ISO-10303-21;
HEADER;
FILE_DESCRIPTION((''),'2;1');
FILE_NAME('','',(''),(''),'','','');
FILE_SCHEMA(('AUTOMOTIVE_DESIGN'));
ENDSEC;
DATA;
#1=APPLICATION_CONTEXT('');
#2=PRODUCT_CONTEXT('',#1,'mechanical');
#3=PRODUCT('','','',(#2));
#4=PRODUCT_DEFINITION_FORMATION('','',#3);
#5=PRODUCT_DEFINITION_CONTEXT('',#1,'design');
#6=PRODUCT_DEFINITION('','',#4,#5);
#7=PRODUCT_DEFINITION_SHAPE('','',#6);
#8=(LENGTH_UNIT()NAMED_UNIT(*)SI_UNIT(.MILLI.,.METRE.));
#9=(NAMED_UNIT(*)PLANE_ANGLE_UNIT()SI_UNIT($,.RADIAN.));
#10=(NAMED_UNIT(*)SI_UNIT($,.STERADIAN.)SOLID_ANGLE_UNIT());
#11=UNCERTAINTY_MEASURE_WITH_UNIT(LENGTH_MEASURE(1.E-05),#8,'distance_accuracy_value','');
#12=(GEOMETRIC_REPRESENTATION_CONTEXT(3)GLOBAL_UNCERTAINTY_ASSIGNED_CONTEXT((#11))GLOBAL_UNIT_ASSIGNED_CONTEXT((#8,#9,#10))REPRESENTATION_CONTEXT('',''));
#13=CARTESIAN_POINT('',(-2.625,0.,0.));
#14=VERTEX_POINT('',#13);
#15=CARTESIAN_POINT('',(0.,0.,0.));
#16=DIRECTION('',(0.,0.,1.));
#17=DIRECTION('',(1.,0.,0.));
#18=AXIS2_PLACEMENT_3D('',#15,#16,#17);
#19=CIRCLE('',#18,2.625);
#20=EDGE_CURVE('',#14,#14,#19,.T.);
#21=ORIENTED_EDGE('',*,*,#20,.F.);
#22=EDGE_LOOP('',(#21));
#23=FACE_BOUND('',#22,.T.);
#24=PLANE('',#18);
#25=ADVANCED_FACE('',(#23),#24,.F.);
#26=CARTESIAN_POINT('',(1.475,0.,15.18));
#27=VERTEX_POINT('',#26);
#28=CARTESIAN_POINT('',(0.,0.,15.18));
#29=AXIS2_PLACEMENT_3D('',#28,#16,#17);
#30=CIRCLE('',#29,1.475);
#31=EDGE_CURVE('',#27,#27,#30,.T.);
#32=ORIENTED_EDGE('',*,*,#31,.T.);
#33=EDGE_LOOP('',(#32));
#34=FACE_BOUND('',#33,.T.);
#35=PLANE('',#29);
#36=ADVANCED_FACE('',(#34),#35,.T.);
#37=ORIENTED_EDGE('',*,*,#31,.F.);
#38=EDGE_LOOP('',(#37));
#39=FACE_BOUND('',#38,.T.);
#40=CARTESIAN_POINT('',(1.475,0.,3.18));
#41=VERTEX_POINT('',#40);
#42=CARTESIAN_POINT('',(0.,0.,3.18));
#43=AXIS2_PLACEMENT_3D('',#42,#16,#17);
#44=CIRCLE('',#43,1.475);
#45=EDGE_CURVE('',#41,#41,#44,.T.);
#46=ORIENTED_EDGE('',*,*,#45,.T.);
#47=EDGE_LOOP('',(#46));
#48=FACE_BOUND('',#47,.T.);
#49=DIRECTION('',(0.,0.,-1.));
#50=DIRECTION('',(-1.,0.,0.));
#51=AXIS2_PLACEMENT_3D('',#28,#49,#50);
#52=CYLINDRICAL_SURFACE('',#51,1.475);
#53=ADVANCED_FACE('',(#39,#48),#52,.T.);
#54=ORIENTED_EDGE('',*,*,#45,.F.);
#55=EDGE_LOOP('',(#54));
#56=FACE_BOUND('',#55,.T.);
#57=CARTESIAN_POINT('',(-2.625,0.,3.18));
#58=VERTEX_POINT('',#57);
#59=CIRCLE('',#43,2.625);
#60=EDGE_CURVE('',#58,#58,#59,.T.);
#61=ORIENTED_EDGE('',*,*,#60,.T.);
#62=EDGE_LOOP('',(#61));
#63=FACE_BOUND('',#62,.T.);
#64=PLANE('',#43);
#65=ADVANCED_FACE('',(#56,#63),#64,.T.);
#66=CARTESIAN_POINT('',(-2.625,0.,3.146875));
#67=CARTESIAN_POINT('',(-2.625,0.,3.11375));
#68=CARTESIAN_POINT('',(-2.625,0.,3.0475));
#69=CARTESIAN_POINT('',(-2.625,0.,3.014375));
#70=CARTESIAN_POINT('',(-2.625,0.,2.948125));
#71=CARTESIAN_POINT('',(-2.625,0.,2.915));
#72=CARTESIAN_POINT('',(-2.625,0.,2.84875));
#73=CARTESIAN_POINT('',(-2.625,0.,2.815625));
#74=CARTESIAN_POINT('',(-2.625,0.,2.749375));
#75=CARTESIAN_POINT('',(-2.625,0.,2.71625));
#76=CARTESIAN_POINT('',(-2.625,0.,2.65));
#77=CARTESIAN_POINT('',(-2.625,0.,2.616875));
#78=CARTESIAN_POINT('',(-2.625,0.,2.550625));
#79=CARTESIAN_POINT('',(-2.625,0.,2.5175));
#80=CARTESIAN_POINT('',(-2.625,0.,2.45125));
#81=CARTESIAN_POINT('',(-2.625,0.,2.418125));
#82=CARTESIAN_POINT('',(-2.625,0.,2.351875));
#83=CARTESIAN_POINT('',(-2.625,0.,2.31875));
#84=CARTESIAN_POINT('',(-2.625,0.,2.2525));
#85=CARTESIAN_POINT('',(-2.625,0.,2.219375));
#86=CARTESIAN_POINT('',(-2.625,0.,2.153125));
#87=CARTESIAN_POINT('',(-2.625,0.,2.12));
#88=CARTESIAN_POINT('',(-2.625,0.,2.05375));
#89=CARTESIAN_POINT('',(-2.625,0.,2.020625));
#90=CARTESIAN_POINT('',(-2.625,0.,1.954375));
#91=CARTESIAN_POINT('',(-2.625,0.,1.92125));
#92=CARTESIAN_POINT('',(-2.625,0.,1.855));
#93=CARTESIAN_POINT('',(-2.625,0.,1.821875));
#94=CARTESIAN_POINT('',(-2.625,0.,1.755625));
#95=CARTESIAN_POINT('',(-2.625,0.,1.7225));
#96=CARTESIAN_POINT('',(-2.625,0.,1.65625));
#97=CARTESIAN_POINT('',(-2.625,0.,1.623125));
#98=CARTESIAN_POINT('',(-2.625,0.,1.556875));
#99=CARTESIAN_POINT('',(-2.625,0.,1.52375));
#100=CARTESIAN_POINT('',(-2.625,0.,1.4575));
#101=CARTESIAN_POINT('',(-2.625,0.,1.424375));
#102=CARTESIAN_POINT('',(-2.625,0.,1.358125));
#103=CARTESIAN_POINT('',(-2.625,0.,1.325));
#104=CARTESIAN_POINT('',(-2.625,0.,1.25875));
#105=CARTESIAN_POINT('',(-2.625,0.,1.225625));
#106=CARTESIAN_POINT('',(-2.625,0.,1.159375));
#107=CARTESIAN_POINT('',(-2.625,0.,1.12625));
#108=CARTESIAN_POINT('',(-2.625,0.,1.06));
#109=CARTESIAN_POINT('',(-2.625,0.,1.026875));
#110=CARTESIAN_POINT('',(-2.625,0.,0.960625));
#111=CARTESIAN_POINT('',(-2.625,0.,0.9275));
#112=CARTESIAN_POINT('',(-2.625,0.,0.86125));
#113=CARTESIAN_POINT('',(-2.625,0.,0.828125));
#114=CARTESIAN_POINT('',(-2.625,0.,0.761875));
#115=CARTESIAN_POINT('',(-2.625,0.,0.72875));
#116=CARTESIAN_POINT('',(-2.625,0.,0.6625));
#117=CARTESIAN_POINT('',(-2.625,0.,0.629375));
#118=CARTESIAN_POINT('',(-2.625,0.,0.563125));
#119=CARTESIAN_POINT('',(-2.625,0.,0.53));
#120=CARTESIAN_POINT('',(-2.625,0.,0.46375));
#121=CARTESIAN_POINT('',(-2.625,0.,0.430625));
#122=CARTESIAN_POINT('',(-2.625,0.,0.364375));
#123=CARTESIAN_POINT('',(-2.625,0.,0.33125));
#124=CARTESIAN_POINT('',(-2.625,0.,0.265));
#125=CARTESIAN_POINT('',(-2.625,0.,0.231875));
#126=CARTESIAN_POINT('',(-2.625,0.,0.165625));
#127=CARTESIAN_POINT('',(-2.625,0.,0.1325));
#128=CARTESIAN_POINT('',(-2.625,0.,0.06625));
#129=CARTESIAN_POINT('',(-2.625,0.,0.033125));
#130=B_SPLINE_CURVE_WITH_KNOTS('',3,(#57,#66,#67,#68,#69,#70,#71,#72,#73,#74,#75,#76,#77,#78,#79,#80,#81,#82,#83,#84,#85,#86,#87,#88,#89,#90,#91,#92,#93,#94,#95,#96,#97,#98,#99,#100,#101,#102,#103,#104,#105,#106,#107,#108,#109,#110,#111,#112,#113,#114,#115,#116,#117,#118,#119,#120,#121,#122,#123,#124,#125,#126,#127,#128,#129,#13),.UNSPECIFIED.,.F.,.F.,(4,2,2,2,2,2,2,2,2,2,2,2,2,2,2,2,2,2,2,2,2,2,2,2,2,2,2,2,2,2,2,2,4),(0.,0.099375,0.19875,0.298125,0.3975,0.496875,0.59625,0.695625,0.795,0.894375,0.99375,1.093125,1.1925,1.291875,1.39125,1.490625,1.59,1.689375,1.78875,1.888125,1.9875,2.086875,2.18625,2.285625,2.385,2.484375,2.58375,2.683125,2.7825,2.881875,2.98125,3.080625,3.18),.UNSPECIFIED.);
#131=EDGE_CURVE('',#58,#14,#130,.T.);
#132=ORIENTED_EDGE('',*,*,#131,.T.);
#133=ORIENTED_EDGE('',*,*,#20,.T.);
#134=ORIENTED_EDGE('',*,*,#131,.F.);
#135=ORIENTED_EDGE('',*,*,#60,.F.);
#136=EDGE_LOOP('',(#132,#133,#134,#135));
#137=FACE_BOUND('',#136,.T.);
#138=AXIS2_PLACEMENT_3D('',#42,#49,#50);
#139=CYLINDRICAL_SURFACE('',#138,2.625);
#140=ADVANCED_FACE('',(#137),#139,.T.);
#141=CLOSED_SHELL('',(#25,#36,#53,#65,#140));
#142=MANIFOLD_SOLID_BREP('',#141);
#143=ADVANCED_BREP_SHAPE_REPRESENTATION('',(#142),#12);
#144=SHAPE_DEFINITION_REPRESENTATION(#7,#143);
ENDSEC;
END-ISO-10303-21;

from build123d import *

# Parameters (mm, degrees)
SKETCH1_R           = 2.625
BOSS_EXTRUDE1_DEPTH = 3.18
SKETCH2_R           = 1.475
BOSS_EXTRUDE2_DEPTH = 12


with BuildPart() as part:
    # Sketch1 → Boss-Extrude1 (new body)
    with BuildSketch(Plane.XY):
        with Locations(Location((0, 0, 0), (0, 0, 180))):
            Circle(SKETCH1_R)
    extrude(amount=BOSS_EXTRUDE1_DEPTH)

    # Sketch2 → Boss-Extrude2 (add)
    with BuildSketch(Plane.XY.offset(3.18)):
        Circle(SKETCH2_R)
    extrude(amount=BOSS_EXTRUDE2_DEPTH)


solid = part.part
